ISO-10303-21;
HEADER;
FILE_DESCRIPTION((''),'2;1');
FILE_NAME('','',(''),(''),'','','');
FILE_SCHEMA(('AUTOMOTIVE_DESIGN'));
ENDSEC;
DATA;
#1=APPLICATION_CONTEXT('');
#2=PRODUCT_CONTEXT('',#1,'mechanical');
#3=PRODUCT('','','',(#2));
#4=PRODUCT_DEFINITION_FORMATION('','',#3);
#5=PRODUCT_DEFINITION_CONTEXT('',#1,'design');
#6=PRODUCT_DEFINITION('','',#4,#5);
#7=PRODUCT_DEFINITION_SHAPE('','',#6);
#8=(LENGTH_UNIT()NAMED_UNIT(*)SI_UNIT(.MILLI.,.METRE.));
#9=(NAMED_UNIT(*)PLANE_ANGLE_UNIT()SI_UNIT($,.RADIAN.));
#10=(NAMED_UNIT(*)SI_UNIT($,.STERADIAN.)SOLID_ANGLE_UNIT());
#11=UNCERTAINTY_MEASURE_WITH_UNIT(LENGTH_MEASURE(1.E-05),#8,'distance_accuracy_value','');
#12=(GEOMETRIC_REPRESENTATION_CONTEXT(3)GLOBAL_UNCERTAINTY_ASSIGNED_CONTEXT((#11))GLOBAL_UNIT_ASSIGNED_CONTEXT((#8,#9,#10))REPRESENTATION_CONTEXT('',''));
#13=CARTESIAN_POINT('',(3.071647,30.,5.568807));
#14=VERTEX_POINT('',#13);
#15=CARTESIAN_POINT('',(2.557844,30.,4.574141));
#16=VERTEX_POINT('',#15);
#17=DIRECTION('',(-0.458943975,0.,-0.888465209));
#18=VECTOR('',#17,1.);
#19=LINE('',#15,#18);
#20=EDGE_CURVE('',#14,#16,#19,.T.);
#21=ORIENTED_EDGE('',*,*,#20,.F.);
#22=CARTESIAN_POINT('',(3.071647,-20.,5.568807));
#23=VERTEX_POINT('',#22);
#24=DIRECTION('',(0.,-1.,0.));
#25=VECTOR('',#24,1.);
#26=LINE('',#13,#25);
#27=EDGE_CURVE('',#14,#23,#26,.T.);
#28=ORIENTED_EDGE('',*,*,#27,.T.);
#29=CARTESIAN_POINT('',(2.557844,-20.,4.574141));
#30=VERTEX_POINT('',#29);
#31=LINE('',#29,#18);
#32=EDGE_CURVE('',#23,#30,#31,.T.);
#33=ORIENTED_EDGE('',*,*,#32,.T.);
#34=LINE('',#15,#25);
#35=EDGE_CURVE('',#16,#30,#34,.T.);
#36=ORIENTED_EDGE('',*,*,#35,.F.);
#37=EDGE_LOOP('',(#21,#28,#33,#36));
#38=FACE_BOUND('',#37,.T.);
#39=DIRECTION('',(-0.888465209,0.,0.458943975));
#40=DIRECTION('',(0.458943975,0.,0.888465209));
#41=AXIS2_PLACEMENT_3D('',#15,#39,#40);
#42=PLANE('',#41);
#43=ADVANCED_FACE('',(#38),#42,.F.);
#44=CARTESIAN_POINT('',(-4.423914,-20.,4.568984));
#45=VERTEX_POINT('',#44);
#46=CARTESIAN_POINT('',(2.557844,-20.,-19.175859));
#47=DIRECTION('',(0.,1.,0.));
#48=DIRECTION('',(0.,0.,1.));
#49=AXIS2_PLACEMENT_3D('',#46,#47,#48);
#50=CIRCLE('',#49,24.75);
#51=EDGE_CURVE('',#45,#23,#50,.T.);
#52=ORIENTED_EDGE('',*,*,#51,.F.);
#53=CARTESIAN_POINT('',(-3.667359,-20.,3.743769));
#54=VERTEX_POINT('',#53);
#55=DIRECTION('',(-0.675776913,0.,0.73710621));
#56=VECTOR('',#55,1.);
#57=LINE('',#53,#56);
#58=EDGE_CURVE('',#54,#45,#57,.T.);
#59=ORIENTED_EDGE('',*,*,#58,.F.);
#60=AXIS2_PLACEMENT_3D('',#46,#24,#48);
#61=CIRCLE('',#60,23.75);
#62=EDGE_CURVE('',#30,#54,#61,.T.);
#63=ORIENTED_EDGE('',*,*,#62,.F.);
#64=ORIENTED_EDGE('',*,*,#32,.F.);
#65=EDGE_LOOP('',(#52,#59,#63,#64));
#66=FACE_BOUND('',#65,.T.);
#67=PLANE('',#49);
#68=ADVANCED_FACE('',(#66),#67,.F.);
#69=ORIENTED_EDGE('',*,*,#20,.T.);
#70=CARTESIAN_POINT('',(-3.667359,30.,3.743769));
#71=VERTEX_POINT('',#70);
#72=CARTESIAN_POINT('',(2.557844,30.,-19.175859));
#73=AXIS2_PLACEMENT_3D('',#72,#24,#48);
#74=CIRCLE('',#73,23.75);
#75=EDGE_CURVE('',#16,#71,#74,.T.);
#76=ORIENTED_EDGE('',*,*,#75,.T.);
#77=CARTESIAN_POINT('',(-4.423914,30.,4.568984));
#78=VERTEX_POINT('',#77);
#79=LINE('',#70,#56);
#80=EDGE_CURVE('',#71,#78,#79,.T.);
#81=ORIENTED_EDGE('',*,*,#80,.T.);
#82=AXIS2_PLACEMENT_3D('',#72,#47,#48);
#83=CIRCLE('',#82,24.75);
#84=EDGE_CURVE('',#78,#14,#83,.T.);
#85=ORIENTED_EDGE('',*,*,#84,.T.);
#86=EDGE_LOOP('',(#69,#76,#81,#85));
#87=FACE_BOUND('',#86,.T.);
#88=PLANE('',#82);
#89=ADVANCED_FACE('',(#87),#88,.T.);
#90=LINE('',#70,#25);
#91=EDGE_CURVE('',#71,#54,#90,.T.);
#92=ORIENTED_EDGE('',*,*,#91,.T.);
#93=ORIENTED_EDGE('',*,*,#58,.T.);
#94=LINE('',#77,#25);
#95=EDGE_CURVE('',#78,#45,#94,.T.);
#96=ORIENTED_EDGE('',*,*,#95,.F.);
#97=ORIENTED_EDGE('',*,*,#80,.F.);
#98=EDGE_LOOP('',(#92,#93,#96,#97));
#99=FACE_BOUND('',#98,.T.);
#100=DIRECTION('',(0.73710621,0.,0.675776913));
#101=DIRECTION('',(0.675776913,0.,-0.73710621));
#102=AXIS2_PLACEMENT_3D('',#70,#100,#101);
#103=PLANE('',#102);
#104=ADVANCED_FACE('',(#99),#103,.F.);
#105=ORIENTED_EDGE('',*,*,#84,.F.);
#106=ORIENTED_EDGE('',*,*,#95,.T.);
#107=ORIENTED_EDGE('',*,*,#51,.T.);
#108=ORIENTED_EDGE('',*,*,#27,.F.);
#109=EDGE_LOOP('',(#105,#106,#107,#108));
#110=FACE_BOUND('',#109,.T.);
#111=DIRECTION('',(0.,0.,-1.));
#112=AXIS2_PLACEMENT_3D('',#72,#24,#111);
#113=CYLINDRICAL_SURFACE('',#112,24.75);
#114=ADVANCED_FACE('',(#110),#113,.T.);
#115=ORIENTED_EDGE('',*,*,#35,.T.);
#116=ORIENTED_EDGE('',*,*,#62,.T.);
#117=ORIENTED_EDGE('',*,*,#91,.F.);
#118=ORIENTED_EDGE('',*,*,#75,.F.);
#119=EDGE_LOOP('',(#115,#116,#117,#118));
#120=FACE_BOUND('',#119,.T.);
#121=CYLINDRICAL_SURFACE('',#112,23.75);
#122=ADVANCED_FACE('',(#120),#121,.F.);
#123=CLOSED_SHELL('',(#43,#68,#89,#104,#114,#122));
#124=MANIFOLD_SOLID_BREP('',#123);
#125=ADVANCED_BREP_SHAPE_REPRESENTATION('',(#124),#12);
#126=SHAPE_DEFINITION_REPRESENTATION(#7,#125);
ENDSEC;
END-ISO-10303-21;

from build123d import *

# Parameters (mm, degrees)
BOSS_EXTRUDE1_DEPTH = 10
SCALE1_SCALE        = 5


with BuildPart() as part:
    # Sketch1 → Boss-Extrude1 (new body)
    with BuildSketch(Plane(origin=(0, 0, 0), x_dir=(1, 0, 0), z_dir=(0, 1, 0))):
        with BuildLine():
            Line((-1.245040654, -4.583925585), (-1.39635158, -4.748968547))
            ThreePointArc((-1.39635158, -4.748968547), (-0.654477562, -4.906542481), (0.102760596, -4.948933245))
            Line((0.102760596, -4.948933245), (0, -4.75))
            ThreePointArc((0, -4.75), (-0.628034024, -4.708298341), (-1.245040654, -4.583925585))
        make_face()
    extrude(amount=BOSS_EXTRUDE1_DEPTH)


with BuildPart() as part_1:
    # Scale1: scaled about (-0.639460957, 5, 4.793964734)
    add(part.part.scale(SCALE1_SCALE).moved(Location((2.557843828, -20, -19.175858936))))


solid = part_1.part
